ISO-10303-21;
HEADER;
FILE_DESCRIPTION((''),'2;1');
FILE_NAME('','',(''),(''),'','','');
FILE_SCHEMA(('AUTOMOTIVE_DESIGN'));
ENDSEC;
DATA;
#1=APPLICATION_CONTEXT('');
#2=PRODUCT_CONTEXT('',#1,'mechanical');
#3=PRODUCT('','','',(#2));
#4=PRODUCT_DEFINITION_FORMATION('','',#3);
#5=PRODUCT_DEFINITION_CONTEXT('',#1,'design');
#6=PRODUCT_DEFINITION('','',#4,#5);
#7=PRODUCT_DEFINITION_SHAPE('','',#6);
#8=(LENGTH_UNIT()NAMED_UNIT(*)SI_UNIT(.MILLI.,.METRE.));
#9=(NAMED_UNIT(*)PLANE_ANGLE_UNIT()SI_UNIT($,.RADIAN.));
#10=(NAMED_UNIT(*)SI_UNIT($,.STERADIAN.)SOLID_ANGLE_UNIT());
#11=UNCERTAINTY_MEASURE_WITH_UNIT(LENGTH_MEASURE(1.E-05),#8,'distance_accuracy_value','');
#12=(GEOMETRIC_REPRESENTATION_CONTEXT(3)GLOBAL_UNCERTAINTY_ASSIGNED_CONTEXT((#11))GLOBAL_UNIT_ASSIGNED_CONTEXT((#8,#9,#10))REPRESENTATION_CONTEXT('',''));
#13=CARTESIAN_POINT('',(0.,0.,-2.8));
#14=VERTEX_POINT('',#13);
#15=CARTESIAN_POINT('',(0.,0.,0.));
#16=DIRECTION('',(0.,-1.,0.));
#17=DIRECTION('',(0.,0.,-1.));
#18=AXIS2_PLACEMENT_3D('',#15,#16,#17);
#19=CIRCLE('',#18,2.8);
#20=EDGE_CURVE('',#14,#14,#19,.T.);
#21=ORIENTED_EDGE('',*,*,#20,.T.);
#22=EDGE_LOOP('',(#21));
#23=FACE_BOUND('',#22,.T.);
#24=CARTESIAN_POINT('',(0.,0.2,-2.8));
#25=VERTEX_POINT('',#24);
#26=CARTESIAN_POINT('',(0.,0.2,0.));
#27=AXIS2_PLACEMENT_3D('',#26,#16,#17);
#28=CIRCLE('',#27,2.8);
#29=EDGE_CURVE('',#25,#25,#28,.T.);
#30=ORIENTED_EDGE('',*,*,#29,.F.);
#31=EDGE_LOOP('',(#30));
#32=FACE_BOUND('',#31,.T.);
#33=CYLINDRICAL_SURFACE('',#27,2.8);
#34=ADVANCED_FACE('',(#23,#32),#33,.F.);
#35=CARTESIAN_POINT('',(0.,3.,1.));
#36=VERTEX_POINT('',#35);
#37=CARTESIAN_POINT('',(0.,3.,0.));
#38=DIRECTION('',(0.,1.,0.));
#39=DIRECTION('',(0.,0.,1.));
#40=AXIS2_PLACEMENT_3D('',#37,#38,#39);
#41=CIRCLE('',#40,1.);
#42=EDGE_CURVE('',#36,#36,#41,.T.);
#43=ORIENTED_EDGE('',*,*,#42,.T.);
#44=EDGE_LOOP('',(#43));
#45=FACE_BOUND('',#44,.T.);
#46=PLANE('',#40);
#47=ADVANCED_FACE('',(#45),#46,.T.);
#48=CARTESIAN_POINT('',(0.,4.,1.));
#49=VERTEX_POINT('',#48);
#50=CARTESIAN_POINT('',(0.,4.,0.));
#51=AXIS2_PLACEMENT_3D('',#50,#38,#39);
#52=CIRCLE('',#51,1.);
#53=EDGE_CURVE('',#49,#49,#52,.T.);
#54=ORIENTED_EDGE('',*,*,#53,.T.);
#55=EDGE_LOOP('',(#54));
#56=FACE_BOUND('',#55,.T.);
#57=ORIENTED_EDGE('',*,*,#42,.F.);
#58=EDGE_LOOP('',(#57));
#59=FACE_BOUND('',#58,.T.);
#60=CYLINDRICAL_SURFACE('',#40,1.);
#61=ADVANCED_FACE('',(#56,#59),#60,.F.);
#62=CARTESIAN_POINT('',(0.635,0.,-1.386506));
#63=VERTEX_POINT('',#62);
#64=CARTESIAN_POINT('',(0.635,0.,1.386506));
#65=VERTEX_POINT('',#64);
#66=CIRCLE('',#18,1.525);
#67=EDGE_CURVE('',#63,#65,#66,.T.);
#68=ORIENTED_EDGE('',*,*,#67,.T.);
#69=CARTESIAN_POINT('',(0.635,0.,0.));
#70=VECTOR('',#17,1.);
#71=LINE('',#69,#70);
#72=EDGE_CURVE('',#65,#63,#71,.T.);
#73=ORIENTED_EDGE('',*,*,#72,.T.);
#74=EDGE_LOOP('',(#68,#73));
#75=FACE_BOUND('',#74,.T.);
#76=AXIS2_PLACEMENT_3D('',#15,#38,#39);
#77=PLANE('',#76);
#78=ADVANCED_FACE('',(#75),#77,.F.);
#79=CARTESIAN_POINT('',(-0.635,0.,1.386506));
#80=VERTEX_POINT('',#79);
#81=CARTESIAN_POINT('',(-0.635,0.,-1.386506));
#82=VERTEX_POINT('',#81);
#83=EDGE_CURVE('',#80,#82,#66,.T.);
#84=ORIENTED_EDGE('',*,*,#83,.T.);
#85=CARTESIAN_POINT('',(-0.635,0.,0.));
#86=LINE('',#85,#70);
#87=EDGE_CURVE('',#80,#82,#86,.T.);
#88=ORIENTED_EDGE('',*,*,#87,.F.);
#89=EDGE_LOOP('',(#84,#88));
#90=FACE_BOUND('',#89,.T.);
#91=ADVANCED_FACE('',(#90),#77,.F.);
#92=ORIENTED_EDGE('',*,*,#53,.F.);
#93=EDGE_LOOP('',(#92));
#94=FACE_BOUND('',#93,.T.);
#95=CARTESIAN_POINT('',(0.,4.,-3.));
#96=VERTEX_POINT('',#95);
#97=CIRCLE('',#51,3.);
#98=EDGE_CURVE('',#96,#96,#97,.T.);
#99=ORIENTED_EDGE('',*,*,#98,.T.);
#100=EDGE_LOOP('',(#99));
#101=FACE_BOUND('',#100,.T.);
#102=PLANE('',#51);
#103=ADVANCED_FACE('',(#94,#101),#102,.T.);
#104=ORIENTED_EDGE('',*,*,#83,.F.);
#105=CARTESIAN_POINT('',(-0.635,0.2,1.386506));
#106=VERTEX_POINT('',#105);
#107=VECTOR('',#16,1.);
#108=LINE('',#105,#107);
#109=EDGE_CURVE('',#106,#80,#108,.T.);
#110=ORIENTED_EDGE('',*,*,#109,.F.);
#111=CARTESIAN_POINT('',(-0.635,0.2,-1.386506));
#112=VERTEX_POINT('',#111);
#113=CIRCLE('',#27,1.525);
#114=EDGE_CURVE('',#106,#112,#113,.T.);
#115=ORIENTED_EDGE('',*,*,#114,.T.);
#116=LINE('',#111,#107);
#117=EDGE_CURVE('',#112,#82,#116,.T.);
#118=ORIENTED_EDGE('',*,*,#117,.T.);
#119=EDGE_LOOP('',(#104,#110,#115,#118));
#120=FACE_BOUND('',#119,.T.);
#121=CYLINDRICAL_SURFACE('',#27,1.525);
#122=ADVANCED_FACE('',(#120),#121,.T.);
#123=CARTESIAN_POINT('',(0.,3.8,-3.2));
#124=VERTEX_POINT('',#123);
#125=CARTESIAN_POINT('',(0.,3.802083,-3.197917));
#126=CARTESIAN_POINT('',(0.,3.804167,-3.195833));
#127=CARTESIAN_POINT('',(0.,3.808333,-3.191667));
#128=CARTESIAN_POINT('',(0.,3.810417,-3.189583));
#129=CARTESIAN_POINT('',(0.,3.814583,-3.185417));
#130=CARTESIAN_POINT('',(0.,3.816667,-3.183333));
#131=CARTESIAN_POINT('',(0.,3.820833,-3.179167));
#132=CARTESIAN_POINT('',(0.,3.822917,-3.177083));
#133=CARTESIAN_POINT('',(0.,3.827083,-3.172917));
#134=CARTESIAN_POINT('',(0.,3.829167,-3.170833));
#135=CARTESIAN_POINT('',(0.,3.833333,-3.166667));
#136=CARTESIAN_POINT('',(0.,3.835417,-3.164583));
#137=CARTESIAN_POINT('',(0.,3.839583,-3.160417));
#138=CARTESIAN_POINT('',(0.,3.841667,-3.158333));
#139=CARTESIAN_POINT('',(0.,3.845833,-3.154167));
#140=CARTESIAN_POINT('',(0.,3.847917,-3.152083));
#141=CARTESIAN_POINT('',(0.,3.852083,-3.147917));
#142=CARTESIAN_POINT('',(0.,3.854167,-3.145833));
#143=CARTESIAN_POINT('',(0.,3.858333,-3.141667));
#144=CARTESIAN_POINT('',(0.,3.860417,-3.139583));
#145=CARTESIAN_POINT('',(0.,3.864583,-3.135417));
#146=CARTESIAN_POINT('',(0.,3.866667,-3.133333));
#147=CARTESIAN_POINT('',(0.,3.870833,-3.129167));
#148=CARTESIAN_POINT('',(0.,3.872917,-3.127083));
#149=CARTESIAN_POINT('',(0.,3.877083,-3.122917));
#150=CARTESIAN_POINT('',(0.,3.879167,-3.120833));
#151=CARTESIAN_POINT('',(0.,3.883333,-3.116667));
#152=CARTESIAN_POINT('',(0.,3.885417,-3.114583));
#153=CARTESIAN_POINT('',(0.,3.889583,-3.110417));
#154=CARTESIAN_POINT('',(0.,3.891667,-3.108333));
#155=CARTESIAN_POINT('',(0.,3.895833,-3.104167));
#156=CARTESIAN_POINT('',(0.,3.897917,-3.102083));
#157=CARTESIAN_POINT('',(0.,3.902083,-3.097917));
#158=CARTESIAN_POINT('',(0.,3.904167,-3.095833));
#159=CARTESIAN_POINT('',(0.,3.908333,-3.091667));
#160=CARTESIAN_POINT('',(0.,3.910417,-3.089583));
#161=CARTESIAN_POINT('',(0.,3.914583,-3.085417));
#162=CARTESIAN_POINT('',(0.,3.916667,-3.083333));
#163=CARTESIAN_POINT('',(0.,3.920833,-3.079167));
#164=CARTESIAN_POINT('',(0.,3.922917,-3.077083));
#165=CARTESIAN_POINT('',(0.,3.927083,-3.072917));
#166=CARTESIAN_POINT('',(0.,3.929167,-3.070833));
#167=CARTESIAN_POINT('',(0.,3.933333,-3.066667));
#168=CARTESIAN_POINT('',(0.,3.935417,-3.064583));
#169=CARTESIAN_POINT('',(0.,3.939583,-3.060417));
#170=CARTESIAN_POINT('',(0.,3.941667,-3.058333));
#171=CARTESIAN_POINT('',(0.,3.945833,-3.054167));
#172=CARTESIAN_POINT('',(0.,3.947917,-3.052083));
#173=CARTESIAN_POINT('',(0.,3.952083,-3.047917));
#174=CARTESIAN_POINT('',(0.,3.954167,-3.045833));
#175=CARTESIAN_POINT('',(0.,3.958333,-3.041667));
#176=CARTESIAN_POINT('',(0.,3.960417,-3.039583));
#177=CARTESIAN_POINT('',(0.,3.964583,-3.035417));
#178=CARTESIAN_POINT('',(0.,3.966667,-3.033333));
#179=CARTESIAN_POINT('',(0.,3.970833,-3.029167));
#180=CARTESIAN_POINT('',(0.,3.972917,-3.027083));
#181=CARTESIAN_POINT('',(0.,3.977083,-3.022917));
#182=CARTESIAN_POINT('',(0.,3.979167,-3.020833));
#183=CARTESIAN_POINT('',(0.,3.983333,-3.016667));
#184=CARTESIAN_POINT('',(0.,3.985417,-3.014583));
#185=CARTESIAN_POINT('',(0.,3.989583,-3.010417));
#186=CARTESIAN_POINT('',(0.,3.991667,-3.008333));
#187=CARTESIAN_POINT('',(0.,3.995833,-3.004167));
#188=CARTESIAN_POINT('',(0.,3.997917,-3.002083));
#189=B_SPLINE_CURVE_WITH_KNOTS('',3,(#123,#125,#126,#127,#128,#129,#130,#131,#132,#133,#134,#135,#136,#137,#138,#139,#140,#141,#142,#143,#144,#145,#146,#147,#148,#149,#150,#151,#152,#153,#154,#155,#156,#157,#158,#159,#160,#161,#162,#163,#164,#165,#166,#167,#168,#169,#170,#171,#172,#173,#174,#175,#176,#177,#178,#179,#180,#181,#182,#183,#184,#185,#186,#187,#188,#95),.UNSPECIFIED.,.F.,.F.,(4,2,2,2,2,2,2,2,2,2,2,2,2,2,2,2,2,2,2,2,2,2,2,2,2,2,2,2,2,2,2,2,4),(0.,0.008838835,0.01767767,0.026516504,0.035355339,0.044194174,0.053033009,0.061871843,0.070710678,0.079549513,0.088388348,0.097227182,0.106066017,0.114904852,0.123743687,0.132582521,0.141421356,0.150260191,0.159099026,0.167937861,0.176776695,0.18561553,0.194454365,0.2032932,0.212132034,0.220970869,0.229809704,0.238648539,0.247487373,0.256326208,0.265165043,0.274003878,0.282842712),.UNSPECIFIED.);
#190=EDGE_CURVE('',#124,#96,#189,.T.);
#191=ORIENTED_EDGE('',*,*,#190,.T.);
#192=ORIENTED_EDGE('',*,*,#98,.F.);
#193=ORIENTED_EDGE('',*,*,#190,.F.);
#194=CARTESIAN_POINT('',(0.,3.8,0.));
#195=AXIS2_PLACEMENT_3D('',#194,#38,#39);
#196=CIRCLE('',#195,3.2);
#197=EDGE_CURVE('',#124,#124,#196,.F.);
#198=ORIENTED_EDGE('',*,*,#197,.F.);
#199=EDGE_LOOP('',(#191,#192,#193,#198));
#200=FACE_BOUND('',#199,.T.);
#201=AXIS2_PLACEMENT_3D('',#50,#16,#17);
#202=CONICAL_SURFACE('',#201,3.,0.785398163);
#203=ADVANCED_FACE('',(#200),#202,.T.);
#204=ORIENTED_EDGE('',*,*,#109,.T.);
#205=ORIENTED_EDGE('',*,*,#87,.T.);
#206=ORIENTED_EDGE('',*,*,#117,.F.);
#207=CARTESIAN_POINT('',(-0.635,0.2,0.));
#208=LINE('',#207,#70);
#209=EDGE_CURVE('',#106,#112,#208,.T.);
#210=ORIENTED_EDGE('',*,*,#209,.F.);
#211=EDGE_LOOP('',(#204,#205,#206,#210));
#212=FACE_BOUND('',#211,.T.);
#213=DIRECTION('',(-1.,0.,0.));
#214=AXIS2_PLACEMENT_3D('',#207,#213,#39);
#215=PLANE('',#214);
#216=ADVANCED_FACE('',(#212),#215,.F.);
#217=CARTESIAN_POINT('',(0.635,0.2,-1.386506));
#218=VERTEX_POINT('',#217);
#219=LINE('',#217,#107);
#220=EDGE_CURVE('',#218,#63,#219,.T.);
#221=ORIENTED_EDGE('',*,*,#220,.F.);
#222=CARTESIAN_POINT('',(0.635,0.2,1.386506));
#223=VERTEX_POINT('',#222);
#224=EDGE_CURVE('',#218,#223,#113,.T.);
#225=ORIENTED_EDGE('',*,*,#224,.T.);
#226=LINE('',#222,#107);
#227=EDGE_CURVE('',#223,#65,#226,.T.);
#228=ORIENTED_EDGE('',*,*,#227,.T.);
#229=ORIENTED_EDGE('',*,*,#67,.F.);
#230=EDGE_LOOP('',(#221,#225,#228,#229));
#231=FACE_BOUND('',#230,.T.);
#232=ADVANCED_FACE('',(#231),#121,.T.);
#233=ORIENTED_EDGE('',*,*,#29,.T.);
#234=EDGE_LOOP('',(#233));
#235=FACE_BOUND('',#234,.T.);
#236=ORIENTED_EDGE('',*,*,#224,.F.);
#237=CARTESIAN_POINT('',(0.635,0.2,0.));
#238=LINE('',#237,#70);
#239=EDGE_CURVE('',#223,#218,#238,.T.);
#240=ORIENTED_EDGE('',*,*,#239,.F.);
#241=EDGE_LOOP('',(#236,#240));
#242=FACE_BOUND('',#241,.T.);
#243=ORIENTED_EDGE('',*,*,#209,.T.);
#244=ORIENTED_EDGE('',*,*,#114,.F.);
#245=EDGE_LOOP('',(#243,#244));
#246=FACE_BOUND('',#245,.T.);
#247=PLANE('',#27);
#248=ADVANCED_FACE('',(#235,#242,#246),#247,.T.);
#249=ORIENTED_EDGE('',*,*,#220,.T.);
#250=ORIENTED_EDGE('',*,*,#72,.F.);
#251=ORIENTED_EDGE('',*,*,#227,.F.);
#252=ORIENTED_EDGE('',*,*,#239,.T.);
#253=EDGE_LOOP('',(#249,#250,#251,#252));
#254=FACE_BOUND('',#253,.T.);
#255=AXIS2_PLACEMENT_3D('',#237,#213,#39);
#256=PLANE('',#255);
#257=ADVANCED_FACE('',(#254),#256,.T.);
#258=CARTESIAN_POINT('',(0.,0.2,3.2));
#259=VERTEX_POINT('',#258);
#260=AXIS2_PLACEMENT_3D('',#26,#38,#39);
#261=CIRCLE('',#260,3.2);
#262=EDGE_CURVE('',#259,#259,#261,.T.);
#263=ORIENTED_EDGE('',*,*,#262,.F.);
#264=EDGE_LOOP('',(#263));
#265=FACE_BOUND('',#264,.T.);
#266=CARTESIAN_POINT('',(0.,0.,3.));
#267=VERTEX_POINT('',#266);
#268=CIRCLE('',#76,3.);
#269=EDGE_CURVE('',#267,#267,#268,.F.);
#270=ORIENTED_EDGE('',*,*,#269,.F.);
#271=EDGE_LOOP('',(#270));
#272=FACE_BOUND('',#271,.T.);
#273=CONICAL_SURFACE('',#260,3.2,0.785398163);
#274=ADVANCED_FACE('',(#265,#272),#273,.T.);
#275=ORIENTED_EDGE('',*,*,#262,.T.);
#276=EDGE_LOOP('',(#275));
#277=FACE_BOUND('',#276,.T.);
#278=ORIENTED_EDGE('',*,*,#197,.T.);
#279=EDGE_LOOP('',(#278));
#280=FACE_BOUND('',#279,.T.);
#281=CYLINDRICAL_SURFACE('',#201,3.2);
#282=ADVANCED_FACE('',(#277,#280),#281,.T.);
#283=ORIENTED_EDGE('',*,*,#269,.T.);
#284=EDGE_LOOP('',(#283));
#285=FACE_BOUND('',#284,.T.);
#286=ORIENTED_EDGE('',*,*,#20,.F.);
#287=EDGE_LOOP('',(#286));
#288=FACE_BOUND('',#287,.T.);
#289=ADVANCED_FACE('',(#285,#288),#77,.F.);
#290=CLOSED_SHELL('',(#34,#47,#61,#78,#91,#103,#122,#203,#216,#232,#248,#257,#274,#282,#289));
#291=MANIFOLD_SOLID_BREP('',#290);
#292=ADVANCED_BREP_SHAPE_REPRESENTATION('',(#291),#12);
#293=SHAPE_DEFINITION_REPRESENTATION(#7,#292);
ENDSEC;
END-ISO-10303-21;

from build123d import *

# Parameters (mm, degrees)
SKETCH1_R           = 3.2
BOSS_EXTRUDE1_DEPTH = 4
CHAMFER1_SIZE       = 0.2
SKETCH2_R           = 1
CUT_EXTRUDE1_DEPTH  = 1
SKETCH3_R           = 2.8
CUT_EXTRUDE2_DEPTH  = 0.2


with BuildPart() as part:
    # Sketch1 → Boss-Extrude1 (new body)
    with BuildSketch(Plane(origin=(0, 0, 0), x_dir=(1, 0, 0), z_dir=(0, 1, 0))):
        Circle(SKETCH1_R)
    extrude(amount=BOSS_EXTRUDE1_DEPTH)

    # Chamfer1
    chamfer1_edges = [part.edges().sort_by_distance(p)[0] for p in [
        (-3.2, 0, 0),
        (-3.2, 4, 0),
    ]]
    chamfer(chamfer1_edges, length=CHAMFER1_SIZE)

    # Sketch2 → Cut-Extrude1 (cut)
    with BuildSketch(Plane(origin=(0, 4, 0), x_dir=(1, 0, 0), z_dir=(0, 1, 0))):
        Circle(SKETCH2_R)
    extrude(amount=-CUT_EXTRUDE1_DEPTH, mode=Mode.SUBTRACT)

    # Sketch3 → Cut-Extrude2 (cut)
    with BuildSketch(Plane.XZ):
        Circle(SKETCH3_R)
        with BuildLine():
            Line((0.635, -1.386506401), (0.635, 1.386506401))
            ThreePointArc((0.635, 1.386506401), (1.525, 0), (0.635, -1.386506401))
        make_face(mode=Mode.SUBTRACT)
        with BuildLine():
            ThreePointArc((-0.635, -1.386506401), (-1.525, 0), (-0.635, 1.386506401))
            Line((-0.635, 1.386506401), (-0.635, -1.386506401))
        make_face(mode=Mode.SUBTRACT)
    extrude(amount=-CUT_EXTRUDE2_DEPTH, mode=Mode.SUBTRACT)


solid = part.part
